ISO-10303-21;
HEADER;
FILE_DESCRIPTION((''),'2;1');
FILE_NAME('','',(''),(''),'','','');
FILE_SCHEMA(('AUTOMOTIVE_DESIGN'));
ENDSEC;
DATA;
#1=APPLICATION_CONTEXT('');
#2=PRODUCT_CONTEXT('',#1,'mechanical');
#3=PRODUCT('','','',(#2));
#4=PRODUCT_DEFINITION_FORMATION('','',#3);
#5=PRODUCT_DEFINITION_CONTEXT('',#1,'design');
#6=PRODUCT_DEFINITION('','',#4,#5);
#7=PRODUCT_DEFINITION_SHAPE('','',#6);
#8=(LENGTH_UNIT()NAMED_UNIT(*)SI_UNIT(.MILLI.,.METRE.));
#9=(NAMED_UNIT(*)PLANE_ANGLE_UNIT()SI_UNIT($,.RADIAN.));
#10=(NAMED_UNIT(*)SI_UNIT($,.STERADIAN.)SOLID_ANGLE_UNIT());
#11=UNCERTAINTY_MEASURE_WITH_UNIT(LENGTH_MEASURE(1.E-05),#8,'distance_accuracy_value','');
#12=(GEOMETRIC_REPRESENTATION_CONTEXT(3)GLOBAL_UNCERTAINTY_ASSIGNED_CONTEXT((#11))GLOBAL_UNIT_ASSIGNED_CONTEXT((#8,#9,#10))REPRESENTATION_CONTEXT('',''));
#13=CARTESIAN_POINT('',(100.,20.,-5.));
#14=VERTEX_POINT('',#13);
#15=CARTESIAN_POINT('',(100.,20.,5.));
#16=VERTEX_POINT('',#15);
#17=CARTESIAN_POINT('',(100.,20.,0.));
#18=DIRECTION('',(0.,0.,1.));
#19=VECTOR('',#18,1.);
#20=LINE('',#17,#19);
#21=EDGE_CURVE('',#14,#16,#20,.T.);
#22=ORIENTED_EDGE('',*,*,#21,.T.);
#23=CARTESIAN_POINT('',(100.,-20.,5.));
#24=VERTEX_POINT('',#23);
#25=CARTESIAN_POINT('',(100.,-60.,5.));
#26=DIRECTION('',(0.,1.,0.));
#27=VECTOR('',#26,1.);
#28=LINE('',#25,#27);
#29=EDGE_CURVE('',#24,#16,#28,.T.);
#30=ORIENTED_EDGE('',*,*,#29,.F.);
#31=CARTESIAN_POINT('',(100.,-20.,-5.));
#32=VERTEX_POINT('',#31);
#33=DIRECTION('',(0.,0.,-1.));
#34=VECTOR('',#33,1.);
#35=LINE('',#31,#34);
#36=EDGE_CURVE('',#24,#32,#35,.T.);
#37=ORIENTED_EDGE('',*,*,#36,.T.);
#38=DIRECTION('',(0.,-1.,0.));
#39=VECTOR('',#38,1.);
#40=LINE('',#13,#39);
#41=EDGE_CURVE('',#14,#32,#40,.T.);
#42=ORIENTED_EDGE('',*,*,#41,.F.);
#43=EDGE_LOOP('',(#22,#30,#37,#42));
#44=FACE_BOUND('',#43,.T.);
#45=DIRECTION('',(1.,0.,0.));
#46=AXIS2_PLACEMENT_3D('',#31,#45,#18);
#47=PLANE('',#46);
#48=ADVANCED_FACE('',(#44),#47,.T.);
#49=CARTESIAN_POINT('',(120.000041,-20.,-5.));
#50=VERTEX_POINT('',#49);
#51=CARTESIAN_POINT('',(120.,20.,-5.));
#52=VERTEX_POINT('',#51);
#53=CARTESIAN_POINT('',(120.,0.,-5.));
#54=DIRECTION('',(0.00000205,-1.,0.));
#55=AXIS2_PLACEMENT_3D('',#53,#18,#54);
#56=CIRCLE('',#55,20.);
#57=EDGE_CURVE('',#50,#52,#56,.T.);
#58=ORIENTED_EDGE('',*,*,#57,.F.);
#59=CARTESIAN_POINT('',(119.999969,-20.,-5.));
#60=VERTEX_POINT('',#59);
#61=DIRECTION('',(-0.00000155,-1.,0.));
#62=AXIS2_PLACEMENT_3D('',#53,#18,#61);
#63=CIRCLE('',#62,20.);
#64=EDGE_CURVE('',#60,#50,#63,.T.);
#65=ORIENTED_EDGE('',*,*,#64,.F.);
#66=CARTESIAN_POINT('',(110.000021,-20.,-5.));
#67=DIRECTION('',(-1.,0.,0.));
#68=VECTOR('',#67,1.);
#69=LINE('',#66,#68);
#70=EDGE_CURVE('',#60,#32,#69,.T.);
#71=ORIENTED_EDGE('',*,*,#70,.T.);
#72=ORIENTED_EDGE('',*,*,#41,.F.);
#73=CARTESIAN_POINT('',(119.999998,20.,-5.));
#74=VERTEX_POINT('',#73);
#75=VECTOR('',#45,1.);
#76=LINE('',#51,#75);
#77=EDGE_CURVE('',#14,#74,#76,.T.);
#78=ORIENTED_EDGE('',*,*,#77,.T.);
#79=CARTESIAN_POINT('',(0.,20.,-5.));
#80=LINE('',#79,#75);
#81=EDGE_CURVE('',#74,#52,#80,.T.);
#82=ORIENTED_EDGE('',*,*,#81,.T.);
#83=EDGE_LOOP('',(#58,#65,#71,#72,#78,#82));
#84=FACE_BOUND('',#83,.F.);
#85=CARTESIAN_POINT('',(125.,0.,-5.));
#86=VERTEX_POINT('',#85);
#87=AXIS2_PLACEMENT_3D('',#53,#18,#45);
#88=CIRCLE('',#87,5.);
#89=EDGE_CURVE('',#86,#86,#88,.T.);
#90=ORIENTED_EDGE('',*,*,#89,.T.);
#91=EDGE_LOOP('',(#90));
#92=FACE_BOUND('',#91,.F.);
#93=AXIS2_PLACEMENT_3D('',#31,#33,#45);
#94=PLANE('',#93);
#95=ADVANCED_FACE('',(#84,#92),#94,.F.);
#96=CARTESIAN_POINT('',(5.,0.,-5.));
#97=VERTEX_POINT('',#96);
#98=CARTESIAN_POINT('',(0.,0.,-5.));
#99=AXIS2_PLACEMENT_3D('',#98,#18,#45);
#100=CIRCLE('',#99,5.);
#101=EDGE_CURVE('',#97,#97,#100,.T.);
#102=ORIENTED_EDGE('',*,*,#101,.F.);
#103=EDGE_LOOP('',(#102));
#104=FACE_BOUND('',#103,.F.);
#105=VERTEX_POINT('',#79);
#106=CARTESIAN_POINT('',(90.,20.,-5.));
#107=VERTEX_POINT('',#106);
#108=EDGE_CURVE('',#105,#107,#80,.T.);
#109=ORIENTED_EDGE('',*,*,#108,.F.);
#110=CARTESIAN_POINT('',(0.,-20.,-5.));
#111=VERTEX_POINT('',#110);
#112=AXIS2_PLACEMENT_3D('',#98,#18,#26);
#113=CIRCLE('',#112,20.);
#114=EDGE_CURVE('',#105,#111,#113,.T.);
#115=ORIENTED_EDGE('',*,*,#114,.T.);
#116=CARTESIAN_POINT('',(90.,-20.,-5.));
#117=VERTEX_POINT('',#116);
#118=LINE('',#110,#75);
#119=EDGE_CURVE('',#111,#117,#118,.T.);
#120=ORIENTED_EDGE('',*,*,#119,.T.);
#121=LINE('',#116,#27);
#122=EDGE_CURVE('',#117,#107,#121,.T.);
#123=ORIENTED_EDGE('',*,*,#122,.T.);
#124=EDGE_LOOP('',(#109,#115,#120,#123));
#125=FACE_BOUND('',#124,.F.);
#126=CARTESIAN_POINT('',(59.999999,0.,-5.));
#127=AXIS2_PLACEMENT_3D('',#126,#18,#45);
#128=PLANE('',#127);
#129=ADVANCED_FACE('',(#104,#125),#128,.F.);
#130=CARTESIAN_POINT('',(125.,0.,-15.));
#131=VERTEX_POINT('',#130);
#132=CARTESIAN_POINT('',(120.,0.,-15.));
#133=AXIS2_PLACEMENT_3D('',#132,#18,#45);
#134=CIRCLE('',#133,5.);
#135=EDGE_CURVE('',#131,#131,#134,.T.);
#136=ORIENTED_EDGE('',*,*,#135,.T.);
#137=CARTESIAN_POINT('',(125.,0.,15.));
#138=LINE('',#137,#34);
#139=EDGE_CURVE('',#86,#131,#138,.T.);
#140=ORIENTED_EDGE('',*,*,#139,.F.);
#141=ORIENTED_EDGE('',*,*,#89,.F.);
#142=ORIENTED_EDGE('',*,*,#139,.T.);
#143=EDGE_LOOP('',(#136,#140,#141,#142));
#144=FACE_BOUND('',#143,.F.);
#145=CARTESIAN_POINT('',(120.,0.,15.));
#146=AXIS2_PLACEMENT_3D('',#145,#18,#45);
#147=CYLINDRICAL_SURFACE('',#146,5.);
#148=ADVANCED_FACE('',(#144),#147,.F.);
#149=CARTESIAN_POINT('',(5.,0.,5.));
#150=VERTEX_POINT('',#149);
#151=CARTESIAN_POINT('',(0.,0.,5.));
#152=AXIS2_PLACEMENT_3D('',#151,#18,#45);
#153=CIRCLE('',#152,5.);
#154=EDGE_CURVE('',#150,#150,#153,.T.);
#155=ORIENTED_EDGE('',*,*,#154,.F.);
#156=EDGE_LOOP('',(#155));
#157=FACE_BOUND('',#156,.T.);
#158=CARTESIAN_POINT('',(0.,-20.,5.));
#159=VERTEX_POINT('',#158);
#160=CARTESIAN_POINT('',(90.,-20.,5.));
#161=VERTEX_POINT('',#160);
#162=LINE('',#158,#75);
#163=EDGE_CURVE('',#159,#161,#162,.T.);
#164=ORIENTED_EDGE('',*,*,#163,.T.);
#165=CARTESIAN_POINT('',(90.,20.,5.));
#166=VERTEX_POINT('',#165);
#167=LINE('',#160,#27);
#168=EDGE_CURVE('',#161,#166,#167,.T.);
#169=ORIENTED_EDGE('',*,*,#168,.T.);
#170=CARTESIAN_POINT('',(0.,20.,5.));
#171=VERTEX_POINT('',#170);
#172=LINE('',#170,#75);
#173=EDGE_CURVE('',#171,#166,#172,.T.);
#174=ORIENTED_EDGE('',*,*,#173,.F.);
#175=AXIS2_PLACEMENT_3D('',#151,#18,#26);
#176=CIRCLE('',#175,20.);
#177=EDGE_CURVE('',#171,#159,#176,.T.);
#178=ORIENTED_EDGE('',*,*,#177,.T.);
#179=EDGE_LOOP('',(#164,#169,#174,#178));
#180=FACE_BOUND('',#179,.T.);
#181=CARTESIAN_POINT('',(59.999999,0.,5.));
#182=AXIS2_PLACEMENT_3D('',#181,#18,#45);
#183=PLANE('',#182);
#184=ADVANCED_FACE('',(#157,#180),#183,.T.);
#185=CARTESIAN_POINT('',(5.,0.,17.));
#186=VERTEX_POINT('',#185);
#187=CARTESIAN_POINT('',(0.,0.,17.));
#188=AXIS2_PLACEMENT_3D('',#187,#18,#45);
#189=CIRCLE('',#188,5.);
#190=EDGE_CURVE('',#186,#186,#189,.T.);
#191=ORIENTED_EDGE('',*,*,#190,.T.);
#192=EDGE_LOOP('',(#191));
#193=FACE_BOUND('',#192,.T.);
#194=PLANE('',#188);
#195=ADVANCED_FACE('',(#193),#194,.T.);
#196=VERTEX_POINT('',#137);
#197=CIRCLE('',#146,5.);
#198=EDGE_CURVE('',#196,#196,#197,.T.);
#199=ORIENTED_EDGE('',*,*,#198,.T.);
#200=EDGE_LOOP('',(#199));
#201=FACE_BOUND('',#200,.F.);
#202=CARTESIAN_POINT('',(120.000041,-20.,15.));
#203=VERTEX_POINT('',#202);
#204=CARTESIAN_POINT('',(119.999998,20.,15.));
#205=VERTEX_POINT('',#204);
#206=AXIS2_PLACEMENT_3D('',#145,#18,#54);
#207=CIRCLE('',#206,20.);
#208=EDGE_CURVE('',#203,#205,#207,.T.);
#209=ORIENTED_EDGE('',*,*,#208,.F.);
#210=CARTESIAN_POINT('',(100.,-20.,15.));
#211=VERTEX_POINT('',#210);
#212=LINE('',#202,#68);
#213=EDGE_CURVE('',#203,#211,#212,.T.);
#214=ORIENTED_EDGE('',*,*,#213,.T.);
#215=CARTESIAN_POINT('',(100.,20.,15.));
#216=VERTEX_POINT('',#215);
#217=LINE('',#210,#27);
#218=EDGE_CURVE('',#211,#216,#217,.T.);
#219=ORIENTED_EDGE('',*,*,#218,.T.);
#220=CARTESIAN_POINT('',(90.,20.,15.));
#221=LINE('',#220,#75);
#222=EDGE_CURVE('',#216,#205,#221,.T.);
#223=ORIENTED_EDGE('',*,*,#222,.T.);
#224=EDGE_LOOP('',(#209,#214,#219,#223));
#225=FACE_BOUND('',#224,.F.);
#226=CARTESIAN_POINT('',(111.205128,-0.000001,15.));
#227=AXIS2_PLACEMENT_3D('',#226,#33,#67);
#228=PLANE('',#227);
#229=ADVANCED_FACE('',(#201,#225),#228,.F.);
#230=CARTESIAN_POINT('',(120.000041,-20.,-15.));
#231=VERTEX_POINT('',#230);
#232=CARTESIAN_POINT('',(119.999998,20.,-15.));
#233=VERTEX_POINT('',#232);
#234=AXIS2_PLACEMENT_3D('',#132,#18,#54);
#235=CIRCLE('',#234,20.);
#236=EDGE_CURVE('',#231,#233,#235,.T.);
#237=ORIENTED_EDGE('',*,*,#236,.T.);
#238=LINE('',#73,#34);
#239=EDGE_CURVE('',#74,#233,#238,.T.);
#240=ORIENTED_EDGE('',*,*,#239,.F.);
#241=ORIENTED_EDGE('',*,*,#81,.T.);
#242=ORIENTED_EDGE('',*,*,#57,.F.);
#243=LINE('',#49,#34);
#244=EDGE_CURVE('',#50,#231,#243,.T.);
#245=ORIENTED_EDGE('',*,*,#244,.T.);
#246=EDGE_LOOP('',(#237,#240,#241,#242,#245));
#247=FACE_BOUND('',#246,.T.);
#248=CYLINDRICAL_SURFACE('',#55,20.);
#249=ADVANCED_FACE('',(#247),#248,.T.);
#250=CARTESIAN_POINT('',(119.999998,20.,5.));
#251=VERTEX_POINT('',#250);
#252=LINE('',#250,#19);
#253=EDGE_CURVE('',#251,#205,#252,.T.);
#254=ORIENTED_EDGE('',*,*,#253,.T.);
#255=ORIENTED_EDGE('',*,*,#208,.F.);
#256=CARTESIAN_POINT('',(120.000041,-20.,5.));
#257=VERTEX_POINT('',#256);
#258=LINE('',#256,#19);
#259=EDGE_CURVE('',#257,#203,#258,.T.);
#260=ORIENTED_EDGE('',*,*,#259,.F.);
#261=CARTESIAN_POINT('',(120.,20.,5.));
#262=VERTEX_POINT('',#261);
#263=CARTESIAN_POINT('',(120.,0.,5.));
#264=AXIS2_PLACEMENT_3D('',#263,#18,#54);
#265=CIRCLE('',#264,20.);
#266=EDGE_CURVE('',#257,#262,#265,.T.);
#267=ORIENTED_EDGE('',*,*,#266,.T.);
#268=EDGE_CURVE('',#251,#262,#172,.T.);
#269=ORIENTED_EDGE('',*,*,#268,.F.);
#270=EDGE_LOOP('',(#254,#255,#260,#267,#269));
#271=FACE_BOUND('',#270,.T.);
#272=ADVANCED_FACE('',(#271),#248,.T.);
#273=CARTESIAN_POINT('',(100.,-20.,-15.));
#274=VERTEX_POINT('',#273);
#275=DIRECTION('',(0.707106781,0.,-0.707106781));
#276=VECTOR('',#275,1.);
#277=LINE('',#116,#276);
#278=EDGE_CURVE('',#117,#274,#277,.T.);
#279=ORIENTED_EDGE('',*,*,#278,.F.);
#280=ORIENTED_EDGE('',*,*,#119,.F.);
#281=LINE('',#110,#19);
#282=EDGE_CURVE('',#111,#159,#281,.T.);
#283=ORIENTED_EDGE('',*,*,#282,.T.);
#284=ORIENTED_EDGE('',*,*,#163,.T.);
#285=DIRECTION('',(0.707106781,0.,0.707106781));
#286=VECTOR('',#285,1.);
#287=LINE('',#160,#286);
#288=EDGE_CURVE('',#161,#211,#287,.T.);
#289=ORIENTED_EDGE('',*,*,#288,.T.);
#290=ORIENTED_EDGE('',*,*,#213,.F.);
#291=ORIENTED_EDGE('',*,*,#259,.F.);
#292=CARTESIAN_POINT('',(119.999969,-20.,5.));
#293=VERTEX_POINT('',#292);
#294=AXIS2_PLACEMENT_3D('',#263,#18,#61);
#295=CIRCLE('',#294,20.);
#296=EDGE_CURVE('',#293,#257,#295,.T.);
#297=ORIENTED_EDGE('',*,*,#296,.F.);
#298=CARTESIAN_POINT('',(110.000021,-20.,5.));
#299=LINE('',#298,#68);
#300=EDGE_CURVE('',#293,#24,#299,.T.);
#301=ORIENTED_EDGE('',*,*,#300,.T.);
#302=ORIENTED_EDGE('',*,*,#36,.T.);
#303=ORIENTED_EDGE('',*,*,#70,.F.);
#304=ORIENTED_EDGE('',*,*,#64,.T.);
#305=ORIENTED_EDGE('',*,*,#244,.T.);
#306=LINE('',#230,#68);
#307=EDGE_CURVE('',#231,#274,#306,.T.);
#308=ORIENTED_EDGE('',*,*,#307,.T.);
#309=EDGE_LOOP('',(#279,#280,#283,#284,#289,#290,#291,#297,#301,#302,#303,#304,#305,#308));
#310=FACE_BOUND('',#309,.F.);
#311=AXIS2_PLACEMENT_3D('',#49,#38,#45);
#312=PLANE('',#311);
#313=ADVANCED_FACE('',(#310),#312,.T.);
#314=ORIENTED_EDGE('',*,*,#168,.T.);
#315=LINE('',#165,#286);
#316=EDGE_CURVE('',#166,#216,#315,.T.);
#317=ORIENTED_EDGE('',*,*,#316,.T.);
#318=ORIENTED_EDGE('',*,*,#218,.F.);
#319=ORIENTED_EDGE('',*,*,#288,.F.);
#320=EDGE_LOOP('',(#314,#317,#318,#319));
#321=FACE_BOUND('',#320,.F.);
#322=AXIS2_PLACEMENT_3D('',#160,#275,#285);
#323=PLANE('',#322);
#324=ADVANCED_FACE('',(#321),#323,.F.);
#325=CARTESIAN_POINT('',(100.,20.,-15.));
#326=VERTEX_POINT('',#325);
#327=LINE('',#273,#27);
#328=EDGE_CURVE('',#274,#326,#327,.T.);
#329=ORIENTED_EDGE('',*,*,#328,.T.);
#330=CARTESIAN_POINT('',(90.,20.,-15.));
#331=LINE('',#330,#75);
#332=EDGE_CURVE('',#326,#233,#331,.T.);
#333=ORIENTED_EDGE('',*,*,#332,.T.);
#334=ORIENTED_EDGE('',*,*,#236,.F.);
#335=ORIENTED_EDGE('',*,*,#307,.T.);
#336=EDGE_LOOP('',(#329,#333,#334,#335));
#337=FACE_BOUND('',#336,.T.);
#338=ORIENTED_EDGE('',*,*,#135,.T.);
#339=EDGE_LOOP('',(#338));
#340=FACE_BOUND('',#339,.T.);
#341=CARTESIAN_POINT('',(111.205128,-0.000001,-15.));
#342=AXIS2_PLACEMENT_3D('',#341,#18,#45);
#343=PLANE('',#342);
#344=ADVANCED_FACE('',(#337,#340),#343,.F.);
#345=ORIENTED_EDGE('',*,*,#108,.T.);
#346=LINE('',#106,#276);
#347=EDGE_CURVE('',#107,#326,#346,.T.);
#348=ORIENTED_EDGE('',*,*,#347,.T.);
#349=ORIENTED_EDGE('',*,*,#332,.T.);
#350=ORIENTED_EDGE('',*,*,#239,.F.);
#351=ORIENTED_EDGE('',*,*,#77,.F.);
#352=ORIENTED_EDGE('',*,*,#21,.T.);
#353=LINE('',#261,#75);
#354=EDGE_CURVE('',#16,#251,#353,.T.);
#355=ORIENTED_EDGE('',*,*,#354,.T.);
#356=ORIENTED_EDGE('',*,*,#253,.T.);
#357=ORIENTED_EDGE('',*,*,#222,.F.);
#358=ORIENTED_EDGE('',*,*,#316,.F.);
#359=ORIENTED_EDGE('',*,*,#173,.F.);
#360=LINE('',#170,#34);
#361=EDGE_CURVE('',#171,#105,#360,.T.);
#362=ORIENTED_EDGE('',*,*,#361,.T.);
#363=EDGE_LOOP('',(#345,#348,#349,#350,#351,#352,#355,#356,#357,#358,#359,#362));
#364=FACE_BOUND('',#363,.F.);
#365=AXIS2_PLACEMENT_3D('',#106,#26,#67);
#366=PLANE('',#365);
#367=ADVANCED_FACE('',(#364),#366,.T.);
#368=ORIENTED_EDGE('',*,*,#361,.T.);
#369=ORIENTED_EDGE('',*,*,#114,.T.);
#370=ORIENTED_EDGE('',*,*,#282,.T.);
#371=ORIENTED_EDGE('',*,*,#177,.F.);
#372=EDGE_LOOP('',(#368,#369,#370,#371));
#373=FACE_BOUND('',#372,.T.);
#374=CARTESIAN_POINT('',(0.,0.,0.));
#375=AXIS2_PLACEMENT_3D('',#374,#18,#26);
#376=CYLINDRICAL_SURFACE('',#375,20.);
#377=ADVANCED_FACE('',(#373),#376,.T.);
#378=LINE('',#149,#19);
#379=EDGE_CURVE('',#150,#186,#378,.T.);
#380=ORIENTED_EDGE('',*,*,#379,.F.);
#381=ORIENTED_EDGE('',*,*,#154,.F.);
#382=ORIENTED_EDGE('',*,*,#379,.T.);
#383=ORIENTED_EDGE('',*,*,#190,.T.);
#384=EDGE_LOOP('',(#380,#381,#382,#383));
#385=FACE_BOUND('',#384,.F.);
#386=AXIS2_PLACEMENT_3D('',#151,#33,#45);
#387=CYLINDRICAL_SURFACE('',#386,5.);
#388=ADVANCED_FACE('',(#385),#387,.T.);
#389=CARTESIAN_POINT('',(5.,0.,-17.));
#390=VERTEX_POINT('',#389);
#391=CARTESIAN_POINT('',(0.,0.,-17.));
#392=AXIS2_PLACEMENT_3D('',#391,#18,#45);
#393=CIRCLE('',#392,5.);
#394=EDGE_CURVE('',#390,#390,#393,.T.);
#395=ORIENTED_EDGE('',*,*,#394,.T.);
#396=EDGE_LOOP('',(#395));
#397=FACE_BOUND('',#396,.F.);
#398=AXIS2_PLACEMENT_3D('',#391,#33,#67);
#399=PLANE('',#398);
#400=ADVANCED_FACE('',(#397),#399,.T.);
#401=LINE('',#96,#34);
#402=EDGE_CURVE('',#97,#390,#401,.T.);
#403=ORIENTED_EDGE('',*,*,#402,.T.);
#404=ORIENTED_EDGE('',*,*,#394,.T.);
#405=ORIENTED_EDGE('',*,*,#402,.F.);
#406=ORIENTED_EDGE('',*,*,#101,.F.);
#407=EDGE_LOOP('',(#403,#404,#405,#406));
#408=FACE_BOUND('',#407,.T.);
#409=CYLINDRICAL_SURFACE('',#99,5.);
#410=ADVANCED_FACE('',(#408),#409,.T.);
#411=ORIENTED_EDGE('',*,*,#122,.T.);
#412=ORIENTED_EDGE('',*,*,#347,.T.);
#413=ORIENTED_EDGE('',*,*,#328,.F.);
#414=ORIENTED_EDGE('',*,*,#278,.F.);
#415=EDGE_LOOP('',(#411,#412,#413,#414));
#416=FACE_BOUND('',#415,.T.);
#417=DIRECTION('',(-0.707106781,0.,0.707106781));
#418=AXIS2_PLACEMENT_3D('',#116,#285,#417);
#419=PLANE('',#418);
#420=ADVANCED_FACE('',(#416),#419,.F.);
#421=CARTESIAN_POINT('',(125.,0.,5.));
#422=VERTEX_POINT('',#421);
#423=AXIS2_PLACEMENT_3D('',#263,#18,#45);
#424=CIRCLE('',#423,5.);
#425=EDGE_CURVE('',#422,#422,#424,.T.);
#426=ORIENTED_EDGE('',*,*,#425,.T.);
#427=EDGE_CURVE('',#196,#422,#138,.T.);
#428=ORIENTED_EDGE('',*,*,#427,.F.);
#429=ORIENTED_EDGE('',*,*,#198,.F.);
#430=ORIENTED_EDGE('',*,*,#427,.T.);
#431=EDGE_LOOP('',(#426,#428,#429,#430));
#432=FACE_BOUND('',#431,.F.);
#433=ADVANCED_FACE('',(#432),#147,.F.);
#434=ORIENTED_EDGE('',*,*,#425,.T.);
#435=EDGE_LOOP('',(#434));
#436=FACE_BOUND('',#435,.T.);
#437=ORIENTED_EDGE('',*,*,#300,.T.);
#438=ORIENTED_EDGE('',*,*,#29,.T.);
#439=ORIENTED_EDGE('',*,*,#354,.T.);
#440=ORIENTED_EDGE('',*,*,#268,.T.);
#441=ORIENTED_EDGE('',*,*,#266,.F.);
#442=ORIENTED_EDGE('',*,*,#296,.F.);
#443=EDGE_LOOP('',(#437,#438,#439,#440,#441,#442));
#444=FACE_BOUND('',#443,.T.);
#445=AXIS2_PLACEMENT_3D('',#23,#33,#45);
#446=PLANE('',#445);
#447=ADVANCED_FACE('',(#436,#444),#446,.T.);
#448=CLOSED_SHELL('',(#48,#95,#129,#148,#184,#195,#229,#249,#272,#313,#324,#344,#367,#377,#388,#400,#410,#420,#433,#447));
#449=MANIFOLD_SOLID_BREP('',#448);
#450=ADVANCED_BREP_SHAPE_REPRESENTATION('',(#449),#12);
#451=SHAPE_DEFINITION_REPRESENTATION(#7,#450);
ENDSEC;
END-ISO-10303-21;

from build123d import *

# Parameters (mm, degrees)
PAD_DEPTH       = 5
SKETCH001_R     = 5
PAD001_DEPTH    = 12
PAD002_DEPTH    = 10
SKETCH003_W     = 40
SKETCH003_H     = 10
POCKET_DEPTH    = 40
POCKET001_DEPTH = 40
SKETCH005_R     = 5
POCKET002_DEPTH = 30


with BuildPart() as part:
    # Sketch → Pad (new body, symmetric)
    with BuildSketch(Plane.XY):
        with BuildLine():
            ThreePointArc((0, 20), (-20, 0), (0, -20))
            Line((0, -20), (119.999969, -20))
            ThreePointArc((119.999969, -20), (140, -1.6e-05), (120, 20))
            Line((0, 20), (120, 20))
        make_face()
    extrude(amount=PAD_DEPTH, both=True)

    # Sketch001 (on Face6 of Pad) → Pad001 (join)
    with BuildSketch(Plane.XY.offset(5)):
        Circle(SKETCH001_R)
    pad001 = extrude(amount=PAD001_DEPTH)

    # Sketch002 (on Face5 of Pad001) → Pad002 (join)
    with BuildSketch(Plane.XY.offset(5)):
        with BuildLine():
            Line((90, 20), (119.999998, 20))
            ThreePointArc((120.000041, -20), (140, 2.1e-05), (119.999998, 20))
            Line((120.000041, -20), (90, -20))
            Line((90, -20), (90, 20))
        make_face()
    pad002 = extrude(amount=PAD002_DEPTH)

    # Mirrored: Pad002 across XY
    add(pad002.mirror(Plane.XY))

    # Mirrored001: Pad001 across XY
    add(pad001.mirror(Plane.XY))

    # Sketch003 (on Face3 of Mirrored001) → Pocket (cut, symmetric)
    with BuildSketch(Plane.XZ.offset(20)):
        with Locations((120, 0)):
            Rectangle(SKETCH003_W, SKETCH003_H)
    extrude(amount=POCKET_DEPTH, both=True, mode=Mode.SUBTRACT)

    # Sketch004 (on Face10 of Pocket) → Pocket001 (cut)
    with BuildSketch(Plane.XZ.offset(20)):
        Polygon((90, 15), (90, 5), (100, 15), align=None)
    pocket001 = extrude(amount=-POCKET001_DEPTH, mode=Mode.SUBTRACT)

    # Mirrored002: Pocket001 across XY
    add(pocket001.mirror(Plane.XY), mode=Mode.SUBTRACT)

    # Sketch005 (on Face20 of Mirrored002) → Pocket002 (cut)
    with BuildSketch(Plane.XY.offset(15)):
        with Locations((120, 0)):
            Circle(SKETCH005_R)
    extrude(amount=-POCKET002_DEPTH, mode=Mode.SUBTRACT)


solid = part.part
